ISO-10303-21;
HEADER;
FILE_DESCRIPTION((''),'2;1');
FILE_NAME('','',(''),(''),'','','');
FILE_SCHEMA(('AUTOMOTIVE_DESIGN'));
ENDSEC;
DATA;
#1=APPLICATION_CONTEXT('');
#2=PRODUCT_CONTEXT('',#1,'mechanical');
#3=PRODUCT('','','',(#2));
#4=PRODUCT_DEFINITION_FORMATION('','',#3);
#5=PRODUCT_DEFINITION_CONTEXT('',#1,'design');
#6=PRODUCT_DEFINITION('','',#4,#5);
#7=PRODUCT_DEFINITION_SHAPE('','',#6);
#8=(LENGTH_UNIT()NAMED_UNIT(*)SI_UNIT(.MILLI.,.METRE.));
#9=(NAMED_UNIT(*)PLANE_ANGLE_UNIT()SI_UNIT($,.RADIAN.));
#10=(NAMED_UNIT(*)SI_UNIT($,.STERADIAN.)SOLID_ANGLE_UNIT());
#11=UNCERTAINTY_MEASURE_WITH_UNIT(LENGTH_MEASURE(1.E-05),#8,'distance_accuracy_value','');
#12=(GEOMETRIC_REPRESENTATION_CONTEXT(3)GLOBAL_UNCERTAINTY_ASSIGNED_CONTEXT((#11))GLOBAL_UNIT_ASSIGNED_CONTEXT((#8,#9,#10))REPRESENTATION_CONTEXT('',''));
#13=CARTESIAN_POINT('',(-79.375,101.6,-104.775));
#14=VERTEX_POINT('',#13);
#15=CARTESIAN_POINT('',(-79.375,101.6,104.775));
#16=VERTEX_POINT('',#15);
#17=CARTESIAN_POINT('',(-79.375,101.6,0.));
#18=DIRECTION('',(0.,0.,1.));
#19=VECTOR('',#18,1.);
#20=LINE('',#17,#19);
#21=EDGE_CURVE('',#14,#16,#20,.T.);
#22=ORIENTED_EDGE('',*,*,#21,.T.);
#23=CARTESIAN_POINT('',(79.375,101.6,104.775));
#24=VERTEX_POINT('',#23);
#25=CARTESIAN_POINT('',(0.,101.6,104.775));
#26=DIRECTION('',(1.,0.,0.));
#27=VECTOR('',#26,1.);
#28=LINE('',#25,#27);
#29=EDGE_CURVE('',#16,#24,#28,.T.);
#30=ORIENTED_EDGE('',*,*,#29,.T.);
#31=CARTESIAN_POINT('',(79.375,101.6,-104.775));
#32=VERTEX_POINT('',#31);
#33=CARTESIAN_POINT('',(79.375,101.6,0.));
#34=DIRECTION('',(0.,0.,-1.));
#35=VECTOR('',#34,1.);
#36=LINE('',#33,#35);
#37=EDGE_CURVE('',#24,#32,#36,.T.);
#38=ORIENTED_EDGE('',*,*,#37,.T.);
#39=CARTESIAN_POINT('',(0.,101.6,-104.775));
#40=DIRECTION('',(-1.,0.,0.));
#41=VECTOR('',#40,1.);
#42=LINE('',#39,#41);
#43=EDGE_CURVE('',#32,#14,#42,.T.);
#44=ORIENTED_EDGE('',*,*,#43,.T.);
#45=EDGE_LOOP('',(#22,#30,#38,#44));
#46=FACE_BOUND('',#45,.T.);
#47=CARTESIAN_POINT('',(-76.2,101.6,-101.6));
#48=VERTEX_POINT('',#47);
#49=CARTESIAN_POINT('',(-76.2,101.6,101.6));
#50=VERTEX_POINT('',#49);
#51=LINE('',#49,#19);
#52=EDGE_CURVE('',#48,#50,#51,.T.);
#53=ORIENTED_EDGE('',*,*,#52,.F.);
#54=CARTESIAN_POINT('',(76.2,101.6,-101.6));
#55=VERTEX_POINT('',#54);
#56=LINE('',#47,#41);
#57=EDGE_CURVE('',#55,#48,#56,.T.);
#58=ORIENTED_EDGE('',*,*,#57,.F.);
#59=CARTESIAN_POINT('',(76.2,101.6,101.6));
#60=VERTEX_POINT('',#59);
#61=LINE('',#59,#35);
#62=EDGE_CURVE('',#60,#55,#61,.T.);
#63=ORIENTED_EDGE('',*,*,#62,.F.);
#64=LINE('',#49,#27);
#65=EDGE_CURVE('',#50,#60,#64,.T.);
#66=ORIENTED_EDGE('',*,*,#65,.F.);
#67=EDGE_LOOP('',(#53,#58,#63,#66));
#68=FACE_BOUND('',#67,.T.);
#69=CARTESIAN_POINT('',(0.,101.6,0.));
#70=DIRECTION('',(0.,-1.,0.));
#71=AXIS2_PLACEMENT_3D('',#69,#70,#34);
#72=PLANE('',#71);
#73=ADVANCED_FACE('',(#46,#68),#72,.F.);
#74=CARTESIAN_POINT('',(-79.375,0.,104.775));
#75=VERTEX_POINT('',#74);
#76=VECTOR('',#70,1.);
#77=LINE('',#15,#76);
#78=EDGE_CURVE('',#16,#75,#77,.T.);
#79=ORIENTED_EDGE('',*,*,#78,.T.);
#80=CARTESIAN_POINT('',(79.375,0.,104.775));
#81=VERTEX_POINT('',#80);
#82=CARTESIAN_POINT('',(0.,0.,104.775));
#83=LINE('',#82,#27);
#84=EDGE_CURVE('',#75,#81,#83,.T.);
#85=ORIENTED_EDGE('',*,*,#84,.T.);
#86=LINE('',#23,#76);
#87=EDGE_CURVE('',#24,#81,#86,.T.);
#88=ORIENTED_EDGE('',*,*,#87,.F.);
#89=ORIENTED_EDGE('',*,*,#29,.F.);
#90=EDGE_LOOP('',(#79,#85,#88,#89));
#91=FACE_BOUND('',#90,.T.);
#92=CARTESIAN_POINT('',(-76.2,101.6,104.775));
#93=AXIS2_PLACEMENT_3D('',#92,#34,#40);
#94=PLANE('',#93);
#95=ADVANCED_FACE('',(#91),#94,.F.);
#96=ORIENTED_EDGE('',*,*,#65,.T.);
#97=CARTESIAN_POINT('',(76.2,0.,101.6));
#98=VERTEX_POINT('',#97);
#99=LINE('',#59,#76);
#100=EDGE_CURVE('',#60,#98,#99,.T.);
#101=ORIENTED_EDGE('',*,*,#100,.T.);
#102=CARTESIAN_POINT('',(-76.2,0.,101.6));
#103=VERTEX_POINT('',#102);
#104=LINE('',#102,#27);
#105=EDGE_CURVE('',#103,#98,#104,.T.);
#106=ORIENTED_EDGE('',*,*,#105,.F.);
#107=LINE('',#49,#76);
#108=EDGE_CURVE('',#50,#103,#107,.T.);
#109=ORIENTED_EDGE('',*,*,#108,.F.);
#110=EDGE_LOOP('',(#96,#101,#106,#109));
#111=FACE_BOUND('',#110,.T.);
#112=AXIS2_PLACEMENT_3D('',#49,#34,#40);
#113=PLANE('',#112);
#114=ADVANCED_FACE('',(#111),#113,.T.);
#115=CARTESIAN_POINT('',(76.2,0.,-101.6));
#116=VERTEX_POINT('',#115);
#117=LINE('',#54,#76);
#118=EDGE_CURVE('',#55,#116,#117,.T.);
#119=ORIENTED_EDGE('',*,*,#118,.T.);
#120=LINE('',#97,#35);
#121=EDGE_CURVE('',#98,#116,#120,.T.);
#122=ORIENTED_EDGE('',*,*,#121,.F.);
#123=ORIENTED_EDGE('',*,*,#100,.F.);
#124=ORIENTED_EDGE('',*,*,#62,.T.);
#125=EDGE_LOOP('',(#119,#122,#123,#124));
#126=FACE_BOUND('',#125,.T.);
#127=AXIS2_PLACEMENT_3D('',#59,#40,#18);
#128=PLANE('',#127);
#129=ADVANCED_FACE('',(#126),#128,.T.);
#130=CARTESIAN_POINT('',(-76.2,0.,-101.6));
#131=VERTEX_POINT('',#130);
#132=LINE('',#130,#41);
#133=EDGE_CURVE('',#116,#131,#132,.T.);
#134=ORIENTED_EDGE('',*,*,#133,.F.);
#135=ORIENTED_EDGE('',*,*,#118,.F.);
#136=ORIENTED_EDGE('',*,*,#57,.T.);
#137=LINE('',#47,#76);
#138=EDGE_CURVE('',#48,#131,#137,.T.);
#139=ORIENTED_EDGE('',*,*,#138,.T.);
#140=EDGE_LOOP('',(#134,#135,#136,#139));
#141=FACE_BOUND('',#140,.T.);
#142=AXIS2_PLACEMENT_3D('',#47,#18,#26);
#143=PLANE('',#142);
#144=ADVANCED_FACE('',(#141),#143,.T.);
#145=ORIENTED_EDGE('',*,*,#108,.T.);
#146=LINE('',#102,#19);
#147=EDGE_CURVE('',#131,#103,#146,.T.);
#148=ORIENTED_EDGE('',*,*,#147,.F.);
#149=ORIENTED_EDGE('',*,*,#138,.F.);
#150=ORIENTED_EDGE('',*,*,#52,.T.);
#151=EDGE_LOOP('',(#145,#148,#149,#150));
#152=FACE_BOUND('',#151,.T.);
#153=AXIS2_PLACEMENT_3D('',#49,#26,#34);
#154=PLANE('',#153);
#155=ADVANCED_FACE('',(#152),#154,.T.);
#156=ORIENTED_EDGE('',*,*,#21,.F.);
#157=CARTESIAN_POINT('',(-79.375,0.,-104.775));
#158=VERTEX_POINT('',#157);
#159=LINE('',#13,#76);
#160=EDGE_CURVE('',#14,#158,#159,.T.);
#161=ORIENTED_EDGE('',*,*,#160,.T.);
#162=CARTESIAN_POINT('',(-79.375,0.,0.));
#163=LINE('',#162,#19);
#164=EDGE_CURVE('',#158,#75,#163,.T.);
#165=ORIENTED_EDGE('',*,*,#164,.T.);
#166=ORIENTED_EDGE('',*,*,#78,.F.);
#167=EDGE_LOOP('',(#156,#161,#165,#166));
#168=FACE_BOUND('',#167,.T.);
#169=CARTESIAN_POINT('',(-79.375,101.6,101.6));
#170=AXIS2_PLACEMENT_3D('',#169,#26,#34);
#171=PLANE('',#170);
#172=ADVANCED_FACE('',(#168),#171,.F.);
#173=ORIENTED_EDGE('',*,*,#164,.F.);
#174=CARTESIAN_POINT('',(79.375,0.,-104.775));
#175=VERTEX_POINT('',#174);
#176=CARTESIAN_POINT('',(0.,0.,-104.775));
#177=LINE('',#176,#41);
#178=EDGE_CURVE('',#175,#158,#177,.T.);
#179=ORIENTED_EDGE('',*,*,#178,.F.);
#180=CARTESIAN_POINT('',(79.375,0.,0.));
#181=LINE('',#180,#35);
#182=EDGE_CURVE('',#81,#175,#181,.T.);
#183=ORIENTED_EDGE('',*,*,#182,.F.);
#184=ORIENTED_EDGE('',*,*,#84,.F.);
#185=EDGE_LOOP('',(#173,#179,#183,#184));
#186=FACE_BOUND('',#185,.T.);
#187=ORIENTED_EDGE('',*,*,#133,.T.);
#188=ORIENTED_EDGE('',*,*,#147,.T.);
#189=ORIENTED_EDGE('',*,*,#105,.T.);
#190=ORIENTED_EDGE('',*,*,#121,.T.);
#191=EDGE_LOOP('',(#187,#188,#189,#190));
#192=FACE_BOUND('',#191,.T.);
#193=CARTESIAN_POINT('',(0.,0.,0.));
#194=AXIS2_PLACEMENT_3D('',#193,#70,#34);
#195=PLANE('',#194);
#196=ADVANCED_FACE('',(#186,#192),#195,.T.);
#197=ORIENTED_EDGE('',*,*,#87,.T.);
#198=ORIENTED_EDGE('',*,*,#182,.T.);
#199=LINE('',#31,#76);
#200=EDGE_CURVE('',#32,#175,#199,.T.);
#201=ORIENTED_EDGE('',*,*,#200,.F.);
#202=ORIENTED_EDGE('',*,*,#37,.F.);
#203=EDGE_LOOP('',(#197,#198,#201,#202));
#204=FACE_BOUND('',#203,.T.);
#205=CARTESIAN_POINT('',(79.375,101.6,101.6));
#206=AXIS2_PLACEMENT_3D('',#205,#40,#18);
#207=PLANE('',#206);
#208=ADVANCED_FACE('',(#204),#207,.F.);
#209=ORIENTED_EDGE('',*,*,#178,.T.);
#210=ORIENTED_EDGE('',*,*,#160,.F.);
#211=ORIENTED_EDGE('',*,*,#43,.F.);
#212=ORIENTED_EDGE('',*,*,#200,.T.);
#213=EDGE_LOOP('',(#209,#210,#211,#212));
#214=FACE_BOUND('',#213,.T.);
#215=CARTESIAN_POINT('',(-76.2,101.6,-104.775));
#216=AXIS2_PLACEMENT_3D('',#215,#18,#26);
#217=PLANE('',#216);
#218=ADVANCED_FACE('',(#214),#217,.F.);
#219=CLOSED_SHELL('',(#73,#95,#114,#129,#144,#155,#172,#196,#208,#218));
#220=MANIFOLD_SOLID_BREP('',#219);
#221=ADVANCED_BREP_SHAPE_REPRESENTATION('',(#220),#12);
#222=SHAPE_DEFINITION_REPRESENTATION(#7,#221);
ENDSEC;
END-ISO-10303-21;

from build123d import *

# Parameters (mm, degrees)
SKETCH1_W           = 152.4
SKETCH1_H           = 203.2
BOSS_EXTRUDE1_DEPTH = 101.6
SHELL1_T            = 3.175


with BuildPart() as part:
    # Sketch1 → Boss-Extrude1 (new body)
    with BuildSketch(Plane(origin=(0, 0, 0), x_dir=(1, 0, 0), z_dir=(0, 1, 0))):
        Rectangle(SKETCH1_W, SKETCH1_H)
    extrude(amount=BOSS_EXTRUDE1_DEPTH)

    # Shell1
    shell1_openings = [part.faces().sort_by_distance(p)[0] for p in [
        (0, 0, 0),
        (0, 101.6, 0),
    ]]
    offset(amount=SHELL1_T, openings=shell1_openings, kind=Kind.INTERSECTION)


solid = part.part
